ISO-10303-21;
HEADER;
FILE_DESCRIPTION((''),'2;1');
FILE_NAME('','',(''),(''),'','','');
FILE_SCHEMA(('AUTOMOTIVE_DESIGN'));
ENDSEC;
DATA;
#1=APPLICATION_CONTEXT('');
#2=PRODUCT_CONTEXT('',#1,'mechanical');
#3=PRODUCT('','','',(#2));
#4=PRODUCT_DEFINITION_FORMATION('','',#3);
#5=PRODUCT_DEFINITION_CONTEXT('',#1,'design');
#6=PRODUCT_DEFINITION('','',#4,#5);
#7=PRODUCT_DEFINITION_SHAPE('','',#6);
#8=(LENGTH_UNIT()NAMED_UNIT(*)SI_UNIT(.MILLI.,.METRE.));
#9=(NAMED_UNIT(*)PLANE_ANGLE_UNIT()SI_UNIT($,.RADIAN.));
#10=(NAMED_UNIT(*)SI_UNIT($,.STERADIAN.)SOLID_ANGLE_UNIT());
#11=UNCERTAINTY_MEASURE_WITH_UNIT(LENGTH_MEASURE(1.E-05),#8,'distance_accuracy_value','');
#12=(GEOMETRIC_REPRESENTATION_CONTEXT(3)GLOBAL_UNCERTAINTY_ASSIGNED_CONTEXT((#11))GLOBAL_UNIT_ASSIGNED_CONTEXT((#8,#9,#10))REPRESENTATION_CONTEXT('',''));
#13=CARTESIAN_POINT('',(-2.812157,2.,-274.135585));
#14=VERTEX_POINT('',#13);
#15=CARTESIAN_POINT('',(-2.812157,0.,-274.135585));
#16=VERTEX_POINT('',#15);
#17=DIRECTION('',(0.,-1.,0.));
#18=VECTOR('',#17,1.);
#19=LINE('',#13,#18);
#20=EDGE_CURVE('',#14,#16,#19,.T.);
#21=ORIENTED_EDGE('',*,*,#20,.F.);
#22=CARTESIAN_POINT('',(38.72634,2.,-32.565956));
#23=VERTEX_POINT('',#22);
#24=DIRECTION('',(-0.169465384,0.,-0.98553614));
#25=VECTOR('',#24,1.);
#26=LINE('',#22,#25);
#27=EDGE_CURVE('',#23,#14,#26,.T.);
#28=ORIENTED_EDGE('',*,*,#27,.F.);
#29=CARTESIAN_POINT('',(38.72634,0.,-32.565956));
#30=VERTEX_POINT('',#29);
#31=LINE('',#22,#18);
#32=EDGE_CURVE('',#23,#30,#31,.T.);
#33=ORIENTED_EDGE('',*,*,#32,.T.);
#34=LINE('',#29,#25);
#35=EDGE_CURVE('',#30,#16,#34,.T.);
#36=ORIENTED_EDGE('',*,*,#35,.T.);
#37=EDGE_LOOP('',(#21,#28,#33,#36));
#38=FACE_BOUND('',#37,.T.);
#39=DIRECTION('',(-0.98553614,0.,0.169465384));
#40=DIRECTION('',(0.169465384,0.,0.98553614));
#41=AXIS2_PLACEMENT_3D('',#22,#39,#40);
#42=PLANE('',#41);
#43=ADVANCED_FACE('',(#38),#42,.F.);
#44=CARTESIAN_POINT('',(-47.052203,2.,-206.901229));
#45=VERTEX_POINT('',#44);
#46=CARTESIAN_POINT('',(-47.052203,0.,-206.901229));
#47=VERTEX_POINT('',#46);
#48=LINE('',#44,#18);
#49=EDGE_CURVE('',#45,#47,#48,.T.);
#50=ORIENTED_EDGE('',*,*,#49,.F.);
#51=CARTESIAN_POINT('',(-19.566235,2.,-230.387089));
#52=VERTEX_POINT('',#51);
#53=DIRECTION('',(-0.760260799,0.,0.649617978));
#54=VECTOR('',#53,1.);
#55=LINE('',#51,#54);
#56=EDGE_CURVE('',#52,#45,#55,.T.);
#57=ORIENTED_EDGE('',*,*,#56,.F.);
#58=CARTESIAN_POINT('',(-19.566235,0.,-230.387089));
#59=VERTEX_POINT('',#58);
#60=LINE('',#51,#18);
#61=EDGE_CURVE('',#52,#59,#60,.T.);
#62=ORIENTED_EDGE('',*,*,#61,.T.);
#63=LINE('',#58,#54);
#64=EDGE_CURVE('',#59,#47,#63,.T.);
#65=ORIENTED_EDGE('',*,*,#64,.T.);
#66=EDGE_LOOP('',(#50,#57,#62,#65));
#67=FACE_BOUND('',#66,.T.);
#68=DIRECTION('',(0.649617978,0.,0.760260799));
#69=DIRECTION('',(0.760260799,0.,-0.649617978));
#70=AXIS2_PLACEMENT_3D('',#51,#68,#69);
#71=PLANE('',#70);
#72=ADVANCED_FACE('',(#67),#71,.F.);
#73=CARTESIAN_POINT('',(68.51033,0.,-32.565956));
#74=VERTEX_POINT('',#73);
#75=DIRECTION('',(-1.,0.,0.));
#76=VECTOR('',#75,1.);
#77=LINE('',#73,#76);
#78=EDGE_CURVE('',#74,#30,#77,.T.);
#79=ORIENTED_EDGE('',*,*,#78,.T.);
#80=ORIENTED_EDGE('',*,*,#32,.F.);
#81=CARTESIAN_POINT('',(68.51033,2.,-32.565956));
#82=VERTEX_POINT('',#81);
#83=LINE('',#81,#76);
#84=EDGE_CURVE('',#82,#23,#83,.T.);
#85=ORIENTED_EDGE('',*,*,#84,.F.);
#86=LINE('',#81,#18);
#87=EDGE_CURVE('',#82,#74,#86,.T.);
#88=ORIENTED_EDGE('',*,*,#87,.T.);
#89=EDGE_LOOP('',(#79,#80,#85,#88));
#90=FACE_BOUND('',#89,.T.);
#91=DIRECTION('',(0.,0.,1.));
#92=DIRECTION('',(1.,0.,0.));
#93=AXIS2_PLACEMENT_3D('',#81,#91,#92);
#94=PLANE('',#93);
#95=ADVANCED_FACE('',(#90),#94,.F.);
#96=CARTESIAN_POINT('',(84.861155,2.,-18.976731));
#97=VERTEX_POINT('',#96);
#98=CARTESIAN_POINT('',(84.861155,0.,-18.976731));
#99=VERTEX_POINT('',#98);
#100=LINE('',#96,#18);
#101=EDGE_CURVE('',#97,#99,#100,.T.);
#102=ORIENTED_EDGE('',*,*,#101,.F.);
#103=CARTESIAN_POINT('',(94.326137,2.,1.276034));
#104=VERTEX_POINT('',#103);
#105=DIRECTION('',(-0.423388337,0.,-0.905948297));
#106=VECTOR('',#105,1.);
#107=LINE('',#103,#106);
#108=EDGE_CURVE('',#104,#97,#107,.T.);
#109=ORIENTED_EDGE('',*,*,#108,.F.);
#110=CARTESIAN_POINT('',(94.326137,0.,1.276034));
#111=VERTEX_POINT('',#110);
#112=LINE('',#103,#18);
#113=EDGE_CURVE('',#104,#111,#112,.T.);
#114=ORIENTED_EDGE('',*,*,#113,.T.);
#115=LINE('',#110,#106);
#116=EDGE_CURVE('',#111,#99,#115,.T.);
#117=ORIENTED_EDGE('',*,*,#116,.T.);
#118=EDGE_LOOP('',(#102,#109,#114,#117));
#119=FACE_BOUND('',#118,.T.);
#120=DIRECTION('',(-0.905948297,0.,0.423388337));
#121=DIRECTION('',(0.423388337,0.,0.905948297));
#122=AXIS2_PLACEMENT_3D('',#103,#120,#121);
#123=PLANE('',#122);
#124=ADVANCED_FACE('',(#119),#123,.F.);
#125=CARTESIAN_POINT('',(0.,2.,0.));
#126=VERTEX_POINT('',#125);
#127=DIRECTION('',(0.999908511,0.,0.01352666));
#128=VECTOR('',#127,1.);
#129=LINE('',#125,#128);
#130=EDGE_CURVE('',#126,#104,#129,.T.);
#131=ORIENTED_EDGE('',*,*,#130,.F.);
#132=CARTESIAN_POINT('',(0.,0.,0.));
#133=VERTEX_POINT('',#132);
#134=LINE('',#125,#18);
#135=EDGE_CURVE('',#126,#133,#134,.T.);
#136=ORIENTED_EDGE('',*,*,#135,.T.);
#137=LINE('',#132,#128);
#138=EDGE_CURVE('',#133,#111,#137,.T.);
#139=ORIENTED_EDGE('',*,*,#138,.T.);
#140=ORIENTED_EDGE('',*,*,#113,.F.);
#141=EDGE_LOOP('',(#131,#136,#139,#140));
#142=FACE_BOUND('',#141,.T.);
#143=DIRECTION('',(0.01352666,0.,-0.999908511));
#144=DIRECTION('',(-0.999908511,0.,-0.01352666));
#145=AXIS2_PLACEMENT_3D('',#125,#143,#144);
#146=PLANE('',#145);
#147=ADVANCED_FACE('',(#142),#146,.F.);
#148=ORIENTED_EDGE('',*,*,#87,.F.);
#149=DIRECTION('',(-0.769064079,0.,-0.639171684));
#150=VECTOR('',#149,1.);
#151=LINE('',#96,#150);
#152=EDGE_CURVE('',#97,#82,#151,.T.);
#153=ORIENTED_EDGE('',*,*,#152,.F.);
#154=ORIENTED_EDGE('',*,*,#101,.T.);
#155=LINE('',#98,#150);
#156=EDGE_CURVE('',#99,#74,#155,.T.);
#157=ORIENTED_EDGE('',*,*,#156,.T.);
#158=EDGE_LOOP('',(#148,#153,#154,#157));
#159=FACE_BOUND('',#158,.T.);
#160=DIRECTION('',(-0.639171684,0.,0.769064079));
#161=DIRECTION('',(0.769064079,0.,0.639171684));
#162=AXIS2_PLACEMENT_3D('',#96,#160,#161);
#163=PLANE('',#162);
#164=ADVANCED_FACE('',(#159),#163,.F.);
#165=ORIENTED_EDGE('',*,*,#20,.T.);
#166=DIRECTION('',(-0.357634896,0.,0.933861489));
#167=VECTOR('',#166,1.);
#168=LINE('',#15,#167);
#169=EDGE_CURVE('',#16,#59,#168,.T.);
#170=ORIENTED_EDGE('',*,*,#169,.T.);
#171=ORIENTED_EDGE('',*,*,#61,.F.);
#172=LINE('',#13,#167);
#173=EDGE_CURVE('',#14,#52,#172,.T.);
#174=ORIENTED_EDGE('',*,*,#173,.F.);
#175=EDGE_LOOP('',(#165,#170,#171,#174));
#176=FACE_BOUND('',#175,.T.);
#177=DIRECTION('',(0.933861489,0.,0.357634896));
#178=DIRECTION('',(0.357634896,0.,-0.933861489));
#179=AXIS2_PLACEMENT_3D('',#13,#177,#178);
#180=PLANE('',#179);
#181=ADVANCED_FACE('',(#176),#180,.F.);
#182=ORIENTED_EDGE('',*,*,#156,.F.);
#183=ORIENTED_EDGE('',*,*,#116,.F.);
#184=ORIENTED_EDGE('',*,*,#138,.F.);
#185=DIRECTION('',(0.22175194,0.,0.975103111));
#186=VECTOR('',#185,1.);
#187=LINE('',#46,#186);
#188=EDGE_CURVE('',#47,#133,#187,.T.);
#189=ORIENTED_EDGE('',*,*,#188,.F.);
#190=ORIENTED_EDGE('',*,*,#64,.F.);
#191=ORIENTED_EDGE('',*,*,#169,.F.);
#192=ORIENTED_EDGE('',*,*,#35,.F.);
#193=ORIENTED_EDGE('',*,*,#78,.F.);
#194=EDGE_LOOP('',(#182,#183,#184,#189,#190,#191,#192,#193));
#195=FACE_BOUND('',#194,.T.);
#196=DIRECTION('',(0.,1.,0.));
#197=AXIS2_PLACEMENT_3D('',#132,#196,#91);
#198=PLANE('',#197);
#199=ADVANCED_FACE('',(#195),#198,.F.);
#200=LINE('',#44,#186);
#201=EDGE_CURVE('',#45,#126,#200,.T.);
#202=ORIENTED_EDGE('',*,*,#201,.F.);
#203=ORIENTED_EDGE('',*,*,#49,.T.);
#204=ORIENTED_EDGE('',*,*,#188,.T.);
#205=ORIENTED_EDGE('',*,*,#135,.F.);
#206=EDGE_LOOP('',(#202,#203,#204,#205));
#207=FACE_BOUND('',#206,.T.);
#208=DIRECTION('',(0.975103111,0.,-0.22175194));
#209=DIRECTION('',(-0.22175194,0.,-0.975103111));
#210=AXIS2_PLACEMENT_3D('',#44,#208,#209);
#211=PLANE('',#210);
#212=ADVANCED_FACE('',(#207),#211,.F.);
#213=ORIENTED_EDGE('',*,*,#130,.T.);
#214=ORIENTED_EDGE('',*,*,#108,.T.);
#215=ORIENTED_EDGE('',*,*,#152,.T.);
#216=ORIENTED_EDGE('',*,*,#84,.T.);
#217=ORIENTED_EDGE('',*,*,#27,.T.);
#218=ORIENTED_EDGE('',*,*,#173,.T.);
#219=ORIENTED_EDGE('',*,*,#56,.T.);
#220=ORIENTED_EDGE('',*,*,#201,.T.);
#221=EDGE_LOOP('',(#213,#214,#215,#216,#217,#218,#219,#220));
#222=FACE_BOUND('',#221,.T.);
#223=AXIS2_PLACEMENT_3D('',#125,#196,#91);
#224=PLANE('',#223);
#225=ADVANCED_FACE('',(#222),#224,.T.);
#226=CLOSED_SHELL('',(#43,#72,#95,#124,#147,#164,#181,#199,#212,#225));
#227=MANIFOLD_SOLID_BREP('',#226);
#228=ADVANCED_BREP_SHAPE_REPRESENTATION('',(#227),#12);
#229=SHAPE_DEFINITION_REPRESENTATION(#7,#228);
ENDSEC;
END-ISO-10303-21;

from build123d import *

# Parameters (mm, degrees)
BOSS_EXTRU_1_DEPTH = 2


with BuildPart() as part:
    # Esquisse1 → Boss.-Extru.1 (new body)
    with BuildSketch(Plane(origin=(0, 0, 0), x_dir=(1, 0, 0), z_dir=(0, 1, 0))):
        Polygon((68.510329691, 32.56595571), (38.726340319, 32.56595571), (-2.812156702, 274.135584624), (-19.566235118, 230.38708924), (-47.052202514, 206.901229399), (0, 0), (94.326137199, -1.276034328), (84.861154742, 18.976731259), align=None)
    extrude(amount=BOSS_EXTRU_1_DEPTH)


solid = part.part
